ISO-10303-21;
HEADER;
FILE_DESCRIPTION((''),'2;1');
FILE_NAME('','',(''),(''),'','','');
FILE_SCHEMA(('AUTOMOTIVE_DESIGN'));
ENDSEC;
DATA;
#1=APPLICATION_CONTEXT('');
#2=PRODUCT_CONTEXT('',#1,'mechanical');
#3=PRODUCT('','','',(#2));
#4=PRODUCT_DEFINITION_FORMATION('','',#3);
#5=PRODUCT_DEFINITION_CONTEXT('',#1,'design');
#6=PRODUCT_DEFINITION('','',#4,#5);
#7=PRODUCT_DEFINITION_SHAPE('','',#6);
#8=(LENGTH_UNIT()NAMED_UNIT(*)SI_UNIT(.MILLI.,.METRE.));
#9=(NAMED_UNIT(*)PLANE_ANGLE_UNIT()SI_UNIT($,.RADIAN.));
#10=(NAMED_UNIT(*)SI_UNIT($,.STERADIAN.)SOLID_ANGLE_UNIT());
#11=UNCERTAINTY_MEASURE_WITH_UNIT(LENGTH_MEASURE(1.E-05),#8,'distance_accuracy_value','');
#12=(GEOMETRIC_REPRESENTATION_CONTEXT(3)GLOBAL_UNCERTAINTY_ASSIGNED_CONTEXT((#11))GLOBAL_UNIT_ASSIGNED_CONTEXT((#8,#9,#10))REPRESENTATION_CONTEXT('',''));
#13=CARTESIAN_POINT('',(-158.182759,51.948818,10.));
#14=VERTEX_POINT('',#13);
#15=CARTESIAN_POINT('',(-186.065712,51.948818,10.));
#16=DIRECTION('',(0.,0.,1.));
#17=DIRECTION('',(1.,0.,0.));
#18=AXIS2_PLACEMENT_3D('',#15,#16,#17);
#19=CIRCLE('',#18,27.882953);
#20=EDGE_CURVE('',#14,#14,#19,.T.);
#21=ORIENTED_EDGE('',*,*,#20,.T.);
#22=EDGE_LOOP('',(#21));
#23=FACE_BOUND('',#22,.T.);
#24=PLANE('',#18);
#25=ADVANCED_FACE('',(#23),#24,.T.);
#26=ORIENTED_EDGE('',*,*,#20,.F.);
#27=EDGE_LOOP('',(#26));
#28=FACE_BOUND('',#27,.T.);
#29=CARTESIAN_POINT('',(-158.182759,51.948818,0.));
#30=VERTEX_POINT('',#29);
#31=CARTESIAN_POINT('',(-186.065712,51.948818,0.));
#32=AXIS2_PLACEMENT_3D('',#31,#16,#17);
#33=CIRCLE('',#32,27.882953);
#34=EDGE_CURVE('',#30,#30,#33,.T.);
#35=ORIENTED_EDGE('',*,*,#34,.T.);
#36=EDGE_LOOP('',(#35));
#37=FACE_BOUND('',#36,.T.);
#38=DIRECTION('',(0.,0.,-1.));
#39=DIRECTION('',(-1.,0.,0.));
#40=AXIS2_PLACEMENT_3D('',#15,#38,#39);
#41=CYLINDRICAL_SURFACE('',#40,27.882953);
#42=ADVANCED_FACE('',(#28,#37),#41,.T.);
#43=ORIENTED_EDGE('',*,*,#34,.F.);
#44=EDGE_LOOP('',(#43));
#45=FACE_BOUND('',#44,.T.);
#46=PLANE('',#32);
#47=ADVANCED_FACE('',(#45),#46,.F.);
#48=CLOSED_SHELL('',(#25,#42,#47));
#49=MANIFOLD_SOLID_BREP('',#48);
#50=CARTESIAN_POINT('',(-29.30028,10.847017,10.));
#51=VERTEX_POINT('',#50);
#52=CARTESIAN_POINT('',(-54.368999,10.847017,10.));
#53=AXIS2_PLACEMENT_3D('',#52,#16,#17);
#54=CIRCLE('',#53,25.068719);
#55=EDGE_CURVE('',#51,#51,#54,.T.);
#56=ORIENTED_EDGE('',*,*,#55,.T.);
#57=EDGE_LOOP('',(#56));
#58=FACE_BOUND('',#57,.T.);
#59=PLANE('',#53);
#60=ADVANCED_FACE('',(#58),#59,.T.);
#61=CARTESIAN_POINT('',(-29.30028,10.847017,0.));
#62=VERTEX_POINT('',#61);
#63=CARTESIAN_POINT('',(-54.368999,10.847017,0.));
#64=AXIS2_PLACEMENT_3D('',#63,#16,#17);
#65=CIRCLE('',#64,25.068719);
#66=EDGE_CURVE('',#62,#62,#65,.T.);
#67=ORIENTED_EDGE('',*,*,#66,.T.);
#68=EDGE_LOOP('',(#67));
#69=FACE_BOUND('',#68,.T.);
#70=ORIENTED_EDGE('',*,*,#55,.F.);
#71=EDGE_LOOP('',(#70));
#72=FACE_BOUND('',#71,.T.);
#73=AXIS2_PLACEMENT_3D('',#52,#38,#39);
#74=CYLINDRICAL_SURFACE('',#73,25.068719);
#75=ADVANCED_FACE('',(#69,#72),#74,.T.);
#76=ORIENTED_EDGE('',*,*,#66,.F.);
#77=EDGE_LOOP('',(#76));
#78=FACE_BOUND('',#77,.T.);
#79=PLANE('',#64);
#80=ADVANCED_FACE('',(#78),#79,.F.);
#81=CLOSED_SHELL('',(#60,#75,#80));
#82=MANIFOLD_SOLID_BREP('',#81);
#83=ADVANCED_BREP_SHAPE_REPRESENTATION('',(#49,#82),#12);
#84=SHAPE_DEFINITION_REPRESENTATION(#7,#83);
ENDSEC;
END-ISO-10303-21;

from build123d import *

# Parameters (mm, degrees)
SKETCH_1_R        = 25.068719059
EXTRUDE_1_DEPTH   = 10
SKETCH_1_R_2      = 27.882952622
EXTRUDE_1_2_DEPTH = 10


with BuildPart() as part:
    # 草图1 → 凸台-拉伸1 (new body)
    with BuildSketch(Plane.XY):
        with Locations((-54.368999484, 10.847017139)):
            Circle(SKETCH_1_R)
    extrude(amount=EXTRUDE_1_DEPTH)


with BuildPart() as body_2:
    # 草图1 → Extrude 1 2 (new body)
    with BuildSketch(Plane.XY):
        with Locations((-186.065711788, 51.948818312)):
            Circle(SKETCH_1_R_2)
    extrude(amount=EXTRUDE_1_2_DEPTH)


solid = Compound([part.part, body_2.part])
